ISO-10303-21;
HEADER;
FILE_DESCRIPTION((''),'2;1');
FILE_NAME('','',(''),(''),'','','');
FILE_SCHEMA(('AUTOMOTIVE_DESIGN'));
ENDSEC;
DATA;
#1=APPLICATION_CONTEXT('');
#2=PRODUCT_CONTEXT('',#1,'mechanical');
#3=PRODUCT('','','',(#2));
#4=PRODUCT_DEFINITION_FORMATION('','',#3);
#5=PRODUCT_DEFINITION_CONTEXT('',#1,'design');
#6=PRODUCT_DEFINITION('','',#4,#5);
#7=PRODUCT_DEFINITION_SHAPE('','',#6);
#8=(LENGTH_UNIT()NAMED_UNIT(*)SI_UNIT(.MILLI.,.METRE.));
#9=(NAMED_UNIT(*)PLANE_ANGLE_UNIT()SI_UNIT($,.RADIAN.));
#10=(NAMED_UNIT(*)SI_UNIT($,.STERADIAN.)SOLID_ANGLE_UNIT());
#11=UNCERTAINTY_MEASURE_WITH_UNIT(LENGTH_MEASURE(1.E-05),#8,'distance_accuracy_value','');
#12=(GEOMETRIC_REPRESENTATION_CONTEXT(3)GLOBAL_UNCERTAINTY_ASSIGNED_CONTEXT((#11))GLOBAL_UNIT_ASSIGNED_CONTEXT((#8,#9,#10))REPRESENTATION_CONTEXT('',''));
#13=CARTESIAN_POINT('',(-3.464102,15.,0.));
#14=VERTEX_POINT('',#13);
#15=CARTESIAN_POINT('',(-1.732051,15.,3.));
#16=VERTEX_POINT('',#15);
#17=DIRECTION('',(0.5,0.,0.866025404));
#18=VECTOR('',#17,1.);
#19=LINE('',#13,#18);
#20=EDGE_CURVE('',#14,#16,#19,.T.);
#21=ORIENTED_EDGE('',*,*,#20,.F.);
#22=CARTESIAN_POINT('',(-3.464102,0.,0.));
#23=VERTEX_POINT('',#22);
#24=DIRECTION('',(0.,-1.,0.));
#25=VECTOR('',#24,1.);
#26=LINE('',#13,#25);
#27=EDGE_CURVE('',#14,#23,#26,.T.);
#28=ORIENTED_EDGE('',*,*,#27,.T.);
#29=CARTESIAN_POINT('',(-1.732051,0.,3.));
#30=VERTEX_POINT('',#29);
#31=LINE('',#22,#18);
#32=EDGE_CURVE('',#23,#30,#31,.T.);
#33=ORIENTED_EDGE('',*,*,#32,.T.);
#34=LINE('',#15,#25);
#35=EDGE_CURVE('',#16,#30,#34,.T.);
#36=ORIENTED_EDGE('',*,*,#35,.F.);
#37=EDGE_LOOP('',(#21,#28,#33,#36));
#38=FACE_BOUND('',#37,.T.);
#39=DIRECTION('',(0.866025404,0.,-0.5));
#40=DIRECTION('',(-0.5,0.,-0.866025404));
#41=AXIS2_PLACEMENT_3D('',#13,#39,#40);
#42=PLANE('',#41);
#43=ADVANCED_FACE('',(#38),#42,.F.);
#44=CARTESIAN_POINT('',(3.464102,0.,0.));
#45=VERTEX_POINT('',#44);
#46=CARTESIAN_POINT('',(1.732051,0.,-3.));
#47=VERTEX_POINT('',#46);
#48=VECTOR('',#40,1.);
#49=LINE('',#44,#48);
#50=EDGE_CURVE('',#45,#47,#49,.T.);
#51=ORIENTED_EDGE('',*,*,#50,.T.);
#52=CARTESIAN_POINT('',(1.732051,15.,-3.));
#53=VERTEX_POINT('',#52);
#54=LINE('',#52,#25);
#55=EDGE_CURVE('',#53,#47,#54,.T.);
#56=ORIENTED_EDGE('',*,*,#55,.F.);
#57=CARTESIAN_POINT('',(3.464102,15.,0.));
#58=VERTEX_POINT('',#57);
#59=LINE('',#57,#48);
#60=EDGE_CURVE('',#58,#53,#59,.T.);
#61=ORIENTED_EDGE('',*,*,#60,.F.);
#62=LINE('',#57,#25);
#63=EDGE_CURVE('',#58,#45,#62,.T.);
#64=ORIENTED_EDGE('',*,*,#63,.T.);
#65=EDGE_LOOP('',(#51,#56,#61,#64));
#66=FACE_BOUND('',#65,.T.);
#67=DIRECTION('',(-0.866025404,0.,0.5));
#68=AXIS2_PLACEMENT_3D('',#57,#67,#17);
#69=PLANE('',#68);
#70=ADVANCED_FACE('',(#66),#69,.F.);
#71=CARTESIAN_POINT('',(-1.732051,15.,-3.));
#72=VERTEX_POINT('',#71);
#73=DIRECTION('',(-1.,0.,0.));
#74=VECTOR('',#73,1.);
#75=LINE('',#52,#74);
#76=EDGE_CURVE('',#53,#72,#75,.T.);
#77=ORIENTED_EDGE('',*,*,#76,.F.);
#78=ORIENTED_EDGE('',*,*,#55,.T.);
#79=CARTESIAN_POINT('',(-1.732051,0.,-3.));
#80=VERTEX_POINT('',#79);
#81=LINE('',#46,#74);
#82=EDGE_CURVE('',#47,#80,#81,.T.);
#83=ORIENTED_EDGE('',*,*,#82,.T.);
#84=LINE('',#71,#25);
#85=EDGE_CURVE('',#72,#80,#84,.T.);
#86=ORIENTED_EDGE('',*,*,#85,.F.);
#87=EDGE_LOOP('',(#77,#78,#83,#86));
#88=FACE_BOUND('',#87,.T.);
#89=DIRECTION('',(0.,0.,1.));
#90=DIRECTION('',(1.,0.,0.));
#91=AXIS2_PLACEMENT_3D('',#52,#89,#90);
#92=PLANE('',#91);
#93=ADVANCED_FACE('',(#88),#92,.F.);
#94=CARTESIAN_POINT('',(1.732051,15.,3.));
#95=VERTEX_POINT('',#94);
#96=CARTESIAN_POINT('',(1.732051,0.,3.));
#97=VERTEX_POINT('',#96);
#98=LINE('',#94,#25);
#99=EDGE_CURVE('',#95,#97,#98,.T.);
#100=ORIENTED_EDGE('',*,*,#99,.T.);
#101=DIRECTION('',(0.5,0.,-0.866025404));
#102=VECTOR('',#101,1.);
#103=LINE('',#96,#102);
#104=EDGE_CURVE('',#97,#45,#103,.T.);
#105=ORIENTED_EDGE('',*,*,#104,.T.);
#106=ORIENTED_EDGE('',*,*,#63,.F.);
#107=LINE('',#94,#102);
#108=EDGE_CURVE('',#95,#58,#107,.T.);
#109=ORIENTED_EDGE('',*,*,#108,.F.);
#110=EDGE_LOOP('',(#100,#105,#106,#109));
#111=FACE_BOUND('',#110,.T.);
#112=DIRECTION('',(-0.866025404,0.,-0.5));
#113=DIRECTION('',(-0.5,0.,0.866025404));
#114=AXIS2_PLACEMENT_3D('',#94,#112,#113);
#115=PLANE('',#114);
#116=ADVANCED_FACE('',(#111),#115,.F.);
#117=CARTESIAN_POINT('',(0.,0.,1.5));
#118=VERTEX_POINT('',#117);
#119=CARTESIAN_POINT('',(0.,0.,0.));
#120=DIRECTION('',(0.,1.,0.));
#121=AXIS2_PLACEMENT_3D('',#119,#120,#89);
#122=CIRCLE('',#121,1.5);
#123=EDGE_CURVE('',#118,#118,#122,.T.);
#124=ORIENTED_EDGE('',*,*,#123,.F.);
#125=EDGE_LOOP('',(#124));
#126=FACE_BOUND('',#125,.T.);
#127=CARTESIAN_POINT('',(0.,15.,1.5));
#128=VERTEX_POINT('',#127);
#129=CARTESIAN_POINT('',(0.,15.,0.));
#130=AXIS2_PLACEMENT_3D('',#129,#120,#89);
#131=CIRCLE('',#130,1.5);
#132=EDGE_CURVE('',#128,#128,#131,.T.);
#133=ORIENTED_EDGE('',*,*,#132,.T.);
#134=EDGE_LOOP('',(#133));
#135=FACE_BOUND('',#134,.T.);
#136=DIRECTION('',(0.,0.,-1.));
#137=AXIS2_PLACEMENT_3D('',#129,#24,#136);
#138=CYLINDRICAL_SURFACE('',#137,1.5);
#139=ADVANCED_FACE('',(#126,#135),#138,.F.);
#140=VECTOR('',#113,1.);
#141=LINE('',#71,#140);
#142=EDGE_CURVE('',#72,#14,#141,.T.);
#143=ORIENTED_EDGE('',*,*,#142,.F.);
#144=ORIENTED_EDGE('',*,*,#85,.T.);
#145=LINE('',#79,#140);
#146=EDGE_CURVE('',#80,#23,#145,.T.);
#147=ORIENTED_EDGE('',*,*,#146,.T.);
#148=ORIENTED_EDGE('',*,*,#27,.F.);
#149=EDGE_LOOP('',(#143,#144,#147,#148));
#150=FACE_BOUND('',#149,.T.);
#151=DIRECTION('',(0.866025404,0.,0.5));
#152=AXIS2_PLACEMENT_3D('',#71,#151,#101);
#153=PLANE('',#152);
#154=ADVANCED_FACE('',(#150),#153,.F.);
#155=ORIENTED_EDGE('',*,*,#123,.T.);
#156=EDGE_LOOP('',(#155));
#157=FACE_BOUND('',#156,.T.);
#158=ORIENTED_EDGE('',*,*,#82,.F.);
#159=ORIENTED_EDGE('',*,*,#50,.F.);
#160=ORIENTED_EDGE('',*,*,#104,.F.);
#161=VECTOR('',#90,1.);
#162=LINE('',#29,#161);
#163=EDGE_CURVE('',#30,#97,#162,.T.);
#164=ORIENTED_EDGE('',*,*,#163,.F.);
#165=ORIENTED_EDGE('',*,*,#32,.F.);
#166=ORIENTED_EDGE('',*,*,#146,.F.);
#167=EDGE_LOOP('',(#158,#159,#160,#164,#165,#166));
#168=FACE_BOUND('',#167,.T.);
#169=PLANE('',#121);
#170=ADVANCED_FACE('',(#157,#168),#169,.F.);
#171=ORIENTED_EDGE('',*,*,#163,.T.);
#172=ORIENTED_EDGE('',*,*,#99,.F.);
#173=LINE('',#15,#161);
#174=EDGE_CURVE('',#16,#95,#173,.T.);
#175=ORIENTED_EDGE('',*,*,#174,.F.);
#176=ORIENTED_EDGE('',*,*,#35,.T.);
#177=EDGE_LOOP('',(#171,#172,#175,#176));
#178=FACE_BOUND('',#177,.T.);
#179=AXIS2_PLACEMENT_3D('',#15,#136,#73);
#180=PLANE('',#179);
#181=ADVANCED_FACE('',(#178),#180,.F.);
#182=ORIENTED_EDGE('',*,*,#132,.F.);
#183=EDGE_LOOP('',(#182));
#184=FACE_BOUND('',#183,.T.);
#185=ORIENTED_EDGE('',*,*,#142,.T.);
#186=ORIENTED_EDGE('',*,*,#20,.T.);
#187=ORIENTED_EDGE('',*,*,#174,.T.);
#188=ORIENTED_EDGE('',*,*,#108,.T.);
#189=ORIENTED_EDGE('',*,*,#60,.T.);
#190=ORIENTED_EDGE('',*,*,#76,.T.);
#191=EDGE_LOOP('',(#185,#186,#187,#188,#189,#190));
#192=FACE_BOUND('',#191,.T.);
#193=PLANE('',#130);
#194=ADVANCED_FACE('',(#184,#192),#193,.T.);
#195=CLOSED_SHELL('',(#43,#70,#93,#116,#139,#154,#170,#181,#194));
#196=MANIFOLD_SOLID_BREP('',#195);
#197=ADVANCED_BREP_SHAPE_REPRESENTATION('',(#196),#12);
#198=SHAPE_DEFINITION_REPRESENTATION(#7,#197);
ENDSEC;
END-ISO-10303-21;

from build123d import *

# Parameters (mm, degrees)
SKETCH1_R           = 1.5
BOSS_EXTRUDE1_DEPTH = 15


with BuildPart() as part:
    # Sketch1 → Boss-Extrude1 (new body)
    with BuildSketch(Plane(origin=(0, 0, 0), x_dir=(1, 0, 0), z_dir=(0, 1, 0))):
        Polygon((3.464101615, 0), (1.732050808, 3), (-1.732050808, 3), (-3.464101615, 0), (-1.732050808, -3), (1.732050808, -3), align=None)
        Circle(SKETCH1_R, mode=Mode.SUBTRACT)
    extrude(amount=BOSS_EXTRUDE1_DEPTH)


solid = part.part
